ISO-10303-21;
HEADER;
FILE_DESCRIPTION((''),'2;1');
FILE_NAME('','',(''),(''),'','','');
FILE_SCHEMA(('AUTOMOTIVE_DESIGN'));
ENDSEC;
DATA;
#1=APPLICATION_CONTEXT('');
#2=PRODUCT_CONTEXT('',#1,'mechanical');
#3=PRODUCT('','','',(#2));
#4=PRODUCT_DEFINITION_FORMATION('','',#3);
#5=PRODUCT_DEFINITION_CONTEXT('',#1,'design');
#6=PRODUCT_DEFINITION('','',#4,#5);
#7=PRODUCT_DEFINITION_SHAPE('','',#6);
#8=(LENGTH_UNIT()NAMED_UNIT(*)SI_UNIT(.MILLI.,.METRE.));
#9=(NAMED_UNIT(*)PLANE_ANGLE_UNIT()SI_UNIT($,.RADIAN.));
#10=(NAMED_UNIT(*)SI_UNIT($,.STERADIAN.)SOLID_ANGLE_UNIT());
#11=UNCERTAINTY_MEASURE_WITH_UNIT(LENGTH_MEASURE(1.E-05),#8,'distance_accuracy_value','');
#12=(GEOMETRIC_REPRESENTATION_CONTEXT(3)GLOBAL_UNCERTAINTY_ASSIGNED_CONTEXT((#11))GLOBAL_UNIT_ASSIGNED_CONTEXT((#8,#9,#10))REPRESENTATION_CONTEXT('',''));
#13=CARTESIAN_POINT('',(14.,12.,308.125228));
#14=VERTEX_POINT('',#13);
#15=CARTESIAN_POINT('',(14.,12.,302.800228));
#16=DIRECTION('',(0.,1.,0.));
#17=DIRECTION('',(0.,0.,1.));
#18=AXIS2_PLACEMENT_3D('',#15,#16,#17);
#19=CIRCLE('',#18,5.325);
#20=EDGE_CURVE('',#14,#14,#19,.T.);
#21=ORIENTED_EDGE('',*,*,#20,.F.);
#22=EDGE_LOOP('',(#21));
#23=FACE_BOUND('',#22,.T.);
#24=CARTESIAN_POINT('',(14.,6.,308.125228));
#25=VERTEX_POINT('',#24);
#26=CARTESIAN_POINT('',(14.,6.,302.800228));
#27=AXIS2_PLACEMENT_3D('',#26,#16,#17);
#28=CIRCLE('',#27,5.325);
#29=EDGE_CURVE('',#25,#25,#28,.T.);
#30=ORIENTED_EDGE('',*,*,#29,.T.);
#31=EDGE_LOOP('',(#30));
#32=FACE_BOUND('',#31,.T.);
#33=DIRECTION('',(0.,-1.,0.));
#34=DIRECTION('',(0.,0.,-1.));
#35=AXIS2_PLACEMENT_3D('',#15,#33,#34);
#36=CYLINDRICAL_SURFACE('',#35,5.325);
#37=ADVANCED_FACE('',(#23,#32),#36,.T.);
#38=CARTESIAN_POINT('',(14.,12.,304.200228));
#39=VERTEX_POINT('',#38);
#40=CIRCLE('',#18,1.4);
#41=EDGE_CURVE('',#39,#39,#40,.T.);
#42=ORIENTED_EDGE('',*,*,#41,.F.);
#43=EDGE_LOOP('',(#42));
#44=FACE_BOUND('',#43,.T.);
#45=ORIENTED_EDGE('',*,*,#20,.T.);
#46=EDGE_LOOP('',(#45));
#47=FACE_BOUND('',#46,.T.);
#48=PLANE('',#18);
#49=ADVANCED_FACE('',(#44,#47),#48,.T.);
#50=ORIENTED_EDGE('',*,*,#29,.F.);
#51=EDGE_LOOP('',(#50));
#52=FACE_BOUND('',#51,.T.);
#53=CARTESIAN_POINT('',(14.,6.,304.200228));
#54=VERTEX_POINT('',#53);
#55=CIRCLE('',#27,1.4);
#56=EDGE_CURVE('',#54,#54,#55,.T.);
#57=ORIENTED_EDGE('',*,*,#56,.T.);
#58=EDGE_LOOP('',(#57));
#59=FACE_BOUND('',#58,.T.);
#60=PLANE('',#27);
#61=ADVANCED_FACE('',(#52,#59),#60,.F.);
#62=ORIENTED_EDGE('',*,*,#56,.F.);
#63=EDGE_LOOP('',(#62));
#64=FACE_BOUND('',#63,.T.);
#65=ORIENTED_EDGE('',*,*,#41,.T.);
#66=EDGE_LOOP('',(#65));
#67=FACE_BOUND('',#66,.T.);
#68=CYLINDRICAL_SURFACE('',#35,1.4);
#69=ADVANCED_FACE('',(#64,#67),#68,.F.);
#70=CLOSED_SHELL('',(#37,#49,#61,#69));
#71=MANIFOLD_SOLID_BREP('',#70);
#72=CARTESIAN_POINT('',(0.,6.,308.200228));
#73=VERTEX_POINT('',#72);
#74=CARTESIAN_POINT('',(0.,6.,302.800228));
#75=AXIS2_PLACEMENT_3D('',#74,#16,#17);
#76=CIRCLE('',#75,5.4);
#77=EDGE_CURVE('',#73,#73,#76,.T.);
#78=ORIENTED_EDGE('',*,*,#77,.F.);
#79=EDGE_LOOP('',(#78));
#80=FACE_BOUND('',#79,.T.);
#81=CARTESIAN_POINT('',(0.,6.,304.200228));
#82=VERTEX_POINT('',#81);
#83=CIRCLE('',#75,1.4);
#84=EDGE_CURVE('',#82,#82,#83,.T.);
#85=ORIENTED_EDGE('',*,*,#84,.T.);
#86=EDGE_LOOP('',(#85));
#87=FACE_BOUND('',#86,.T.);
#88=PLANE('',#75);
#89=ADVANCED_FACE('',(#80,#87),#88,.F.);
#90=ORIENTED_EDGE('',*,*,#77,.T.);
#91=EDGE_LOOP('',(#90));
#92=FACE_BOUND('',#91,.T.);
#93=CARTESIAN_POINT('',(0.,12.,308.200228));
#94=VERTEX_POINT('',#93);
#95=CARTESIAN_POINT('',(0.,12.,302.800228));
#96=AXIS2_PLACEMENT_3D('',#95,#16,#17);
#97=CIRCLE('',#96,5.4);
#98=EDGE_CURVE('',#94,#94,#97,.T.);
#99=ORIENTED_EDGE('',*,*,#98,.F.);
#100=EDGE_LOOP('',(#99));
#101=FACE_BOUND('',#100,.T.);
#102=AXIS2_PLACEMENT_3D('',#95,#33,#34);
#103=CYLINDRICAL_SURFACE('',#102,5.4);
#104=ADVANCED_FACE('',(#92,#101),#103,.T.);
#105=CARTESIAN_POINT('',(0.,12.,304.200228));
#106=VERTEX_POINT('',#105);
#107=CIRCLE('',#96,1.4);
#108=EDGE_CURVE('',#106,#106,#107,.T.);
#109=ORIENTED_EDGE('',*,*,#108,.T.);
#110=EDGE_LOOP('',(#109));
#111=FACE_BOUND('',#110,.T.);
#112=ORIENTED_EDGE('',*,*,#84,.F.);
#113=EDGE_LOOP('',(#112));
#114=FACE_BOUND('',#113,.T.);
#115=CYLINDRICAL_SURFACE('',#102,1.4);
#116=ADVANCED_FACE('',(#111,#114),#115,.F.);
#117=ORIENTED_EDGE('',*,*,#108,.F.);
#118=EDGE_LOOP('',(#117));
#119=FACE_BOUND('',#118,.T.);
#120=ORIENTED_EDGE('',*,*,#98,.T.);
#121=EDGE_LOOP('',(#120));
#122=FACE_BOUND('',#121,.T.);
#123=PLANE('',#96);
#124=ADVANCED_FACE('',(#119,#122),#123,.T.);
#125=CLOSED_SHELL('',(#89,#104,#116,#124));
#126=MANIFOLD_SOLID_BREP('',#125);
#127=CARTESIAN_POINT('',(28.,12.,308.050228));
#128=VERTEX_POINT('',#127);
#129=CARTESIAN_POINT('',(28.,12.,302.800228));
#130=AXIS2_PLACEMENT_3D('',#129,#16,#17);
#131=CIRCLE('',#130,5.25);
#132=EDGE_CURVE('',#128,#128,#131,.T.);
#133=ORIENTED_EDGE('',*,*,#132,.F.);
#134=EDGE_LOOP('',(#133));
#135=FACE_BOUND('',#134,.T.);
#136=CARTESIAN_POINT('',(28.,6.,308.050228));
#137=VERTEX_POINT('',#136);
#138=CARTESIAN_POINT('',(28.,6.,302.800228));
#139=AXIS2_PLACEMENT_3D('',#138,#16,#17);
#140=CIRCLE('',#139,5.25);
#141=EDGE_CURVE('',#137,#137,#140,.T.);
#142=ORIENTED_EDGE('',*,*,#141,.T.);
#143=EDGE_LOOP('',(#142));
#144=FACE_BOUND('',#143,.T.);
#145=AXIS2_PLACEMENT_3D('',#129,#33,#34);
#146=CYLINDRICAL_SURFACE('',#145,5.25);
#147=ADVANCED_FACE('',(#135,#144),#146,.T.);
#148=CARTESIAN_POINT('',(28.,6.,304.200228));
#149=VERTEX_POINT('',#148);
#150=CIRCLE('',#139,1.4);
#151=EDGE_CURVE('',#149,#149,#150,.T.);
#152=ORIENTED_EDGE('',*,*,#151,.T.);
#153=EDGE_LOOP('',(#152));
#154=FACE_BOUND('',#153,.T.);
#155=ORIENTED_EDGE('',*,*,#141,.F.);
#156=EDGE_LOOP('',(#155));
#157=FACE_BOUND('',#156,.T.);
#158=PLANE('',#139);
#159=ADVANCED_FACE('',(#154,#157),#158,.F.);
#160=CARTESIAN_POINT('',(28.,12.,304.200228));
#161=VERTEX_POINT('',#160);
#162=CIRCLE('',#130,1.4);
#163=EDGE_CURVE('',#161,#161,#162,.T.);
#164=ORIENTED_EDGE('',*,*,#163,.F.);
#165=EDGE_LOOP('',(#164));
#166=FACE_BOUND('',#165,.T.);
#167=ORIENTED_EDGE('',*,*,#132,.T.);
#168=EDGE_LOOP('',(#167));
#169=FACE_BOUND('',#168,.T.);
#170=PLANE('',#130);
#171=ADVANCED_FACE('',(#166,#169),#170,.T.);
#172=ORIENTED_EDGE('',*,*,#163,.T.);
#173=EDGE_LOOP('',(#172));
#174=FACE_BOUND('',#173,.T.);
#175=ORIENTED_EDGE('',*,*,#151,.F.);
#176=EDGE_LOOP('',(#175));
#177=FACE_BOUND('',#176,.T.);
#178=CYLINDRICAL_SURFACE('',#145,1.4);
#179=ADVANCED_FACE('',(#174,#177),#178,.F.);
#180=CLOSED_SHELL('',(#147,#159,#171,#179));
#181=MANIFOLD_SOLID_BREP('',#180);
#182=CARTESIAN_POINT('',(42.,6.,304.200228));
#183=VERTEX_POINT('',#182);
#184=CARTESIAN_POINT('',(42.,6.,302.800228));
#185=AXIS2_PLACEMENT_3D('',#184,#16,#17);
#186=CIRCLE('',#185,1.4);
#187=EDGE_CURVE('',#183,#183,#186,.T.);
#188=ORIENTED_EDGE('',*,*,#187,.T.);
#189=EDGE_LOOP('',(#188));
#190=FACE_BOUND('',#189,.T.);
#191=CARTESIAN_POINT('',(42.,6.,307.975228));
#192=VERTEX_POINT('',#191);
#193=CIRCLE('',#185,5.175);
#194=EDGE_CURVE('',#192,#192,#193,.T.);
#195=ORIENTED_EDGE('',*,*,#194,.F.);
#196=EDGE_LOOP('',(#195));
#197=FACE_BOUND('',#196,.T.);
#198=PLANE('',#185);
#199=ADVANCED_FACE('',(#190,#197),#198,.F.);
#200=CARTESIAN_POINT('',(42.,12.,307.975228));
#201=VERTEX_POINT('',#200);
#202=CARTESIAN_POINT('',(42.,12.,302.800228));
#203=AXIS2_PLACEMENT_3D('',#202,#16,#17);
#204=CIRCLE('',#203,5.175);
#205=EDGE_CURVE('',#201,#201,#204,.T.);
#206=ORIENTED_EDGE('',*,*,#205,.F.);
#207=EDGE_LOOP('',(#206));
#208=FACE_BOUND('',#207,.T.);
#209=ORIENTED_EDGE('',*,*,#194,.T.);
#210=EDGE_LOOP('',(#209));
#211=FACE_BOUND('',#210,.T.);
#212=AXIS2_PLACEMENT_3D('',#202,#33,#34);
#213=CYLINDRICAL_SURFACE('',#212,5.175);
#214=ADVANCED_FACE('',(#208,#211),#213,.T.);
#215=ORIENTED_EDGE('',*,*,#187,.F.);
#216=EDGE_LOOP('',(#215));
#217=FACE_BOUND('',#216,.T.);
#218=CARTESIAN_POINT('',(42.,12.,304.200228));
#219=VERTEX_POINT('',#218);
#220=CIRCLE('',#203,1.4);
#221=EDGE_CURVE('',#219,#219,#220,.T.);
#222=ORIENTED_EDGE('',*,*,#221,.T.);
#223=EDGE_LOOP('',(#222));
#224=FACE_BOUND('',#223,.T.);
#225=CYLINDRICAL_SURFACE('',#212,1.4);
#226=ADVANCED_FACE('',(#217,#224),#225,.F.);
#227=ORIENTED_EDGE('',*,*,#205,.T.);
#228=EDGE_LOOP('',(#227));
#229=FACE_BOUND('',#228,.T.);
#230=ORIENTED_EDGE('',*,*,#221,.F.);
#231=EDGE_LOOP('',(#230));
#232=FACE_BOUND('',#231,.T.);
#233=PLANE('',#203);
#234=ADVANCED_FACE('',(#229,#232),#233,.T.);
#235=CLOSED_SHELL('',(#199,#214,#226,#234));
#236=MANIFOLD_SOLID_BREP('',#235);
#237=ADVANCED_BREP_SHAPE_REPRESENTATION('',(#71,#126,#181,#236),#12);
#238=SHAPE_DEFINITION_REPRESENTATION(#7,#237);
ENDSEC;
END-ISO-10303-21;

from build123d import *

# Parameters (mm, degrees)
SZKIC1_R                      = 5.4
SZKIC1_R_2                    = 1.4
DODANIE_WYCI_GNI_CIE1_DEPTH   = 6
SZKIC1_R_3                    = 5.325
DODANIE_WYCI_GNI_CIE1_2_DEPTH = 6
SZKIC1_R_4                    = 5.25
DODANIE_WYCI_GNI_CIE1_3_DEPTH = 6
SZKIC1_R_5                    = 5.175
DODANIE_WYCI_GNI_CIE1_4_DEPTH = 6


with BuildPart() as part:
    # Szkic1 → Dodanie-wyciągnięcie1 (new body)
    with BuildSketch(Plane(origin=(0, 6, 0), x_dir=(1, 0, 0), z_dir=(0, 1, 0))):
        with Locations(Location((0, -302.800228056, 0), (0, 0, 270))):
            Circle(SZKIC1_R)
        with Locations(Location((0, -302.800228056, 0), (0, 0, 270))):
            Circle(SZKIC1_R_2, mode=Mode.SUBTRACT)
    extrude(amount=DODANIE_WYCI_GNI_CIE1_DEPTH)


with BuildPart() as body_2:
    # Szkic1 → Dodanie-wyci_gni_cie1 2 (new body)
    with BuildSketch(Plane(origin=(0, 6, 0), x_dir=(1, 0, 0), z_dir=(0, 1, 0))):
        with Locations(Location((14, -302.800228056, 0), (0, 0, 270))):
            Circle(SZKIC1_R_3)
        with Locations(Location((14, -302.800228056, 0), (0, 0, 270))):
            Circle(SZKIC1_R_2, mode=Mode.SUBTRACT)
    extrude(amount=DODANIE_WYCI_GNI_CIE1_2_DEPTH)


with BuildPart() as body_3:
    # Szkic1 → Dodanie-wyci_gni_cie1 3 (new body)
    with BuildSketch(Plane(origin=(0, 6, 0), x_dir=(1, 0, 0), z_dir=(0, 1, 0))):
        with Locations(Location((28, -302.800228056, 0), (0, 0, 270))):
            Circle(SZKIC1_R_4)
        with Locations(Location((28, -302.800228056, 0), (0, 0, 270))):
            Circle(SZKIC1_R_2, mode=Mode.SUBTRACT)
    extrude(amount=DODANIE_WYCI_GNI_CIE1_3_DEPTH)


with BuildPart() as body_4:
    # Szkic1 → Dodanie-wyci_gni_cie1 4 (new body)
    with BuildSketch(Plane(origin=(0, 6, 0), x_dir=(1, 0, 0), z_dir=(0, 1, 0))):
        with Locations(Location((42, -302.800228056, 0), (0, 0, 270))):
            Circle(SZKIC1_R_5)
        with Locations(Location((42, -302.800228056, 0), (0, 0, 270))):
            Circle(SZKIC1_R_2, mode=Mode.SUBTRACT)
    extrude(amount=DODANIE_WYCI_GNI_CIE1_4_DEPTH)


solid = Compound([part.part, body_2.part, body_3.part, body_4.part])
